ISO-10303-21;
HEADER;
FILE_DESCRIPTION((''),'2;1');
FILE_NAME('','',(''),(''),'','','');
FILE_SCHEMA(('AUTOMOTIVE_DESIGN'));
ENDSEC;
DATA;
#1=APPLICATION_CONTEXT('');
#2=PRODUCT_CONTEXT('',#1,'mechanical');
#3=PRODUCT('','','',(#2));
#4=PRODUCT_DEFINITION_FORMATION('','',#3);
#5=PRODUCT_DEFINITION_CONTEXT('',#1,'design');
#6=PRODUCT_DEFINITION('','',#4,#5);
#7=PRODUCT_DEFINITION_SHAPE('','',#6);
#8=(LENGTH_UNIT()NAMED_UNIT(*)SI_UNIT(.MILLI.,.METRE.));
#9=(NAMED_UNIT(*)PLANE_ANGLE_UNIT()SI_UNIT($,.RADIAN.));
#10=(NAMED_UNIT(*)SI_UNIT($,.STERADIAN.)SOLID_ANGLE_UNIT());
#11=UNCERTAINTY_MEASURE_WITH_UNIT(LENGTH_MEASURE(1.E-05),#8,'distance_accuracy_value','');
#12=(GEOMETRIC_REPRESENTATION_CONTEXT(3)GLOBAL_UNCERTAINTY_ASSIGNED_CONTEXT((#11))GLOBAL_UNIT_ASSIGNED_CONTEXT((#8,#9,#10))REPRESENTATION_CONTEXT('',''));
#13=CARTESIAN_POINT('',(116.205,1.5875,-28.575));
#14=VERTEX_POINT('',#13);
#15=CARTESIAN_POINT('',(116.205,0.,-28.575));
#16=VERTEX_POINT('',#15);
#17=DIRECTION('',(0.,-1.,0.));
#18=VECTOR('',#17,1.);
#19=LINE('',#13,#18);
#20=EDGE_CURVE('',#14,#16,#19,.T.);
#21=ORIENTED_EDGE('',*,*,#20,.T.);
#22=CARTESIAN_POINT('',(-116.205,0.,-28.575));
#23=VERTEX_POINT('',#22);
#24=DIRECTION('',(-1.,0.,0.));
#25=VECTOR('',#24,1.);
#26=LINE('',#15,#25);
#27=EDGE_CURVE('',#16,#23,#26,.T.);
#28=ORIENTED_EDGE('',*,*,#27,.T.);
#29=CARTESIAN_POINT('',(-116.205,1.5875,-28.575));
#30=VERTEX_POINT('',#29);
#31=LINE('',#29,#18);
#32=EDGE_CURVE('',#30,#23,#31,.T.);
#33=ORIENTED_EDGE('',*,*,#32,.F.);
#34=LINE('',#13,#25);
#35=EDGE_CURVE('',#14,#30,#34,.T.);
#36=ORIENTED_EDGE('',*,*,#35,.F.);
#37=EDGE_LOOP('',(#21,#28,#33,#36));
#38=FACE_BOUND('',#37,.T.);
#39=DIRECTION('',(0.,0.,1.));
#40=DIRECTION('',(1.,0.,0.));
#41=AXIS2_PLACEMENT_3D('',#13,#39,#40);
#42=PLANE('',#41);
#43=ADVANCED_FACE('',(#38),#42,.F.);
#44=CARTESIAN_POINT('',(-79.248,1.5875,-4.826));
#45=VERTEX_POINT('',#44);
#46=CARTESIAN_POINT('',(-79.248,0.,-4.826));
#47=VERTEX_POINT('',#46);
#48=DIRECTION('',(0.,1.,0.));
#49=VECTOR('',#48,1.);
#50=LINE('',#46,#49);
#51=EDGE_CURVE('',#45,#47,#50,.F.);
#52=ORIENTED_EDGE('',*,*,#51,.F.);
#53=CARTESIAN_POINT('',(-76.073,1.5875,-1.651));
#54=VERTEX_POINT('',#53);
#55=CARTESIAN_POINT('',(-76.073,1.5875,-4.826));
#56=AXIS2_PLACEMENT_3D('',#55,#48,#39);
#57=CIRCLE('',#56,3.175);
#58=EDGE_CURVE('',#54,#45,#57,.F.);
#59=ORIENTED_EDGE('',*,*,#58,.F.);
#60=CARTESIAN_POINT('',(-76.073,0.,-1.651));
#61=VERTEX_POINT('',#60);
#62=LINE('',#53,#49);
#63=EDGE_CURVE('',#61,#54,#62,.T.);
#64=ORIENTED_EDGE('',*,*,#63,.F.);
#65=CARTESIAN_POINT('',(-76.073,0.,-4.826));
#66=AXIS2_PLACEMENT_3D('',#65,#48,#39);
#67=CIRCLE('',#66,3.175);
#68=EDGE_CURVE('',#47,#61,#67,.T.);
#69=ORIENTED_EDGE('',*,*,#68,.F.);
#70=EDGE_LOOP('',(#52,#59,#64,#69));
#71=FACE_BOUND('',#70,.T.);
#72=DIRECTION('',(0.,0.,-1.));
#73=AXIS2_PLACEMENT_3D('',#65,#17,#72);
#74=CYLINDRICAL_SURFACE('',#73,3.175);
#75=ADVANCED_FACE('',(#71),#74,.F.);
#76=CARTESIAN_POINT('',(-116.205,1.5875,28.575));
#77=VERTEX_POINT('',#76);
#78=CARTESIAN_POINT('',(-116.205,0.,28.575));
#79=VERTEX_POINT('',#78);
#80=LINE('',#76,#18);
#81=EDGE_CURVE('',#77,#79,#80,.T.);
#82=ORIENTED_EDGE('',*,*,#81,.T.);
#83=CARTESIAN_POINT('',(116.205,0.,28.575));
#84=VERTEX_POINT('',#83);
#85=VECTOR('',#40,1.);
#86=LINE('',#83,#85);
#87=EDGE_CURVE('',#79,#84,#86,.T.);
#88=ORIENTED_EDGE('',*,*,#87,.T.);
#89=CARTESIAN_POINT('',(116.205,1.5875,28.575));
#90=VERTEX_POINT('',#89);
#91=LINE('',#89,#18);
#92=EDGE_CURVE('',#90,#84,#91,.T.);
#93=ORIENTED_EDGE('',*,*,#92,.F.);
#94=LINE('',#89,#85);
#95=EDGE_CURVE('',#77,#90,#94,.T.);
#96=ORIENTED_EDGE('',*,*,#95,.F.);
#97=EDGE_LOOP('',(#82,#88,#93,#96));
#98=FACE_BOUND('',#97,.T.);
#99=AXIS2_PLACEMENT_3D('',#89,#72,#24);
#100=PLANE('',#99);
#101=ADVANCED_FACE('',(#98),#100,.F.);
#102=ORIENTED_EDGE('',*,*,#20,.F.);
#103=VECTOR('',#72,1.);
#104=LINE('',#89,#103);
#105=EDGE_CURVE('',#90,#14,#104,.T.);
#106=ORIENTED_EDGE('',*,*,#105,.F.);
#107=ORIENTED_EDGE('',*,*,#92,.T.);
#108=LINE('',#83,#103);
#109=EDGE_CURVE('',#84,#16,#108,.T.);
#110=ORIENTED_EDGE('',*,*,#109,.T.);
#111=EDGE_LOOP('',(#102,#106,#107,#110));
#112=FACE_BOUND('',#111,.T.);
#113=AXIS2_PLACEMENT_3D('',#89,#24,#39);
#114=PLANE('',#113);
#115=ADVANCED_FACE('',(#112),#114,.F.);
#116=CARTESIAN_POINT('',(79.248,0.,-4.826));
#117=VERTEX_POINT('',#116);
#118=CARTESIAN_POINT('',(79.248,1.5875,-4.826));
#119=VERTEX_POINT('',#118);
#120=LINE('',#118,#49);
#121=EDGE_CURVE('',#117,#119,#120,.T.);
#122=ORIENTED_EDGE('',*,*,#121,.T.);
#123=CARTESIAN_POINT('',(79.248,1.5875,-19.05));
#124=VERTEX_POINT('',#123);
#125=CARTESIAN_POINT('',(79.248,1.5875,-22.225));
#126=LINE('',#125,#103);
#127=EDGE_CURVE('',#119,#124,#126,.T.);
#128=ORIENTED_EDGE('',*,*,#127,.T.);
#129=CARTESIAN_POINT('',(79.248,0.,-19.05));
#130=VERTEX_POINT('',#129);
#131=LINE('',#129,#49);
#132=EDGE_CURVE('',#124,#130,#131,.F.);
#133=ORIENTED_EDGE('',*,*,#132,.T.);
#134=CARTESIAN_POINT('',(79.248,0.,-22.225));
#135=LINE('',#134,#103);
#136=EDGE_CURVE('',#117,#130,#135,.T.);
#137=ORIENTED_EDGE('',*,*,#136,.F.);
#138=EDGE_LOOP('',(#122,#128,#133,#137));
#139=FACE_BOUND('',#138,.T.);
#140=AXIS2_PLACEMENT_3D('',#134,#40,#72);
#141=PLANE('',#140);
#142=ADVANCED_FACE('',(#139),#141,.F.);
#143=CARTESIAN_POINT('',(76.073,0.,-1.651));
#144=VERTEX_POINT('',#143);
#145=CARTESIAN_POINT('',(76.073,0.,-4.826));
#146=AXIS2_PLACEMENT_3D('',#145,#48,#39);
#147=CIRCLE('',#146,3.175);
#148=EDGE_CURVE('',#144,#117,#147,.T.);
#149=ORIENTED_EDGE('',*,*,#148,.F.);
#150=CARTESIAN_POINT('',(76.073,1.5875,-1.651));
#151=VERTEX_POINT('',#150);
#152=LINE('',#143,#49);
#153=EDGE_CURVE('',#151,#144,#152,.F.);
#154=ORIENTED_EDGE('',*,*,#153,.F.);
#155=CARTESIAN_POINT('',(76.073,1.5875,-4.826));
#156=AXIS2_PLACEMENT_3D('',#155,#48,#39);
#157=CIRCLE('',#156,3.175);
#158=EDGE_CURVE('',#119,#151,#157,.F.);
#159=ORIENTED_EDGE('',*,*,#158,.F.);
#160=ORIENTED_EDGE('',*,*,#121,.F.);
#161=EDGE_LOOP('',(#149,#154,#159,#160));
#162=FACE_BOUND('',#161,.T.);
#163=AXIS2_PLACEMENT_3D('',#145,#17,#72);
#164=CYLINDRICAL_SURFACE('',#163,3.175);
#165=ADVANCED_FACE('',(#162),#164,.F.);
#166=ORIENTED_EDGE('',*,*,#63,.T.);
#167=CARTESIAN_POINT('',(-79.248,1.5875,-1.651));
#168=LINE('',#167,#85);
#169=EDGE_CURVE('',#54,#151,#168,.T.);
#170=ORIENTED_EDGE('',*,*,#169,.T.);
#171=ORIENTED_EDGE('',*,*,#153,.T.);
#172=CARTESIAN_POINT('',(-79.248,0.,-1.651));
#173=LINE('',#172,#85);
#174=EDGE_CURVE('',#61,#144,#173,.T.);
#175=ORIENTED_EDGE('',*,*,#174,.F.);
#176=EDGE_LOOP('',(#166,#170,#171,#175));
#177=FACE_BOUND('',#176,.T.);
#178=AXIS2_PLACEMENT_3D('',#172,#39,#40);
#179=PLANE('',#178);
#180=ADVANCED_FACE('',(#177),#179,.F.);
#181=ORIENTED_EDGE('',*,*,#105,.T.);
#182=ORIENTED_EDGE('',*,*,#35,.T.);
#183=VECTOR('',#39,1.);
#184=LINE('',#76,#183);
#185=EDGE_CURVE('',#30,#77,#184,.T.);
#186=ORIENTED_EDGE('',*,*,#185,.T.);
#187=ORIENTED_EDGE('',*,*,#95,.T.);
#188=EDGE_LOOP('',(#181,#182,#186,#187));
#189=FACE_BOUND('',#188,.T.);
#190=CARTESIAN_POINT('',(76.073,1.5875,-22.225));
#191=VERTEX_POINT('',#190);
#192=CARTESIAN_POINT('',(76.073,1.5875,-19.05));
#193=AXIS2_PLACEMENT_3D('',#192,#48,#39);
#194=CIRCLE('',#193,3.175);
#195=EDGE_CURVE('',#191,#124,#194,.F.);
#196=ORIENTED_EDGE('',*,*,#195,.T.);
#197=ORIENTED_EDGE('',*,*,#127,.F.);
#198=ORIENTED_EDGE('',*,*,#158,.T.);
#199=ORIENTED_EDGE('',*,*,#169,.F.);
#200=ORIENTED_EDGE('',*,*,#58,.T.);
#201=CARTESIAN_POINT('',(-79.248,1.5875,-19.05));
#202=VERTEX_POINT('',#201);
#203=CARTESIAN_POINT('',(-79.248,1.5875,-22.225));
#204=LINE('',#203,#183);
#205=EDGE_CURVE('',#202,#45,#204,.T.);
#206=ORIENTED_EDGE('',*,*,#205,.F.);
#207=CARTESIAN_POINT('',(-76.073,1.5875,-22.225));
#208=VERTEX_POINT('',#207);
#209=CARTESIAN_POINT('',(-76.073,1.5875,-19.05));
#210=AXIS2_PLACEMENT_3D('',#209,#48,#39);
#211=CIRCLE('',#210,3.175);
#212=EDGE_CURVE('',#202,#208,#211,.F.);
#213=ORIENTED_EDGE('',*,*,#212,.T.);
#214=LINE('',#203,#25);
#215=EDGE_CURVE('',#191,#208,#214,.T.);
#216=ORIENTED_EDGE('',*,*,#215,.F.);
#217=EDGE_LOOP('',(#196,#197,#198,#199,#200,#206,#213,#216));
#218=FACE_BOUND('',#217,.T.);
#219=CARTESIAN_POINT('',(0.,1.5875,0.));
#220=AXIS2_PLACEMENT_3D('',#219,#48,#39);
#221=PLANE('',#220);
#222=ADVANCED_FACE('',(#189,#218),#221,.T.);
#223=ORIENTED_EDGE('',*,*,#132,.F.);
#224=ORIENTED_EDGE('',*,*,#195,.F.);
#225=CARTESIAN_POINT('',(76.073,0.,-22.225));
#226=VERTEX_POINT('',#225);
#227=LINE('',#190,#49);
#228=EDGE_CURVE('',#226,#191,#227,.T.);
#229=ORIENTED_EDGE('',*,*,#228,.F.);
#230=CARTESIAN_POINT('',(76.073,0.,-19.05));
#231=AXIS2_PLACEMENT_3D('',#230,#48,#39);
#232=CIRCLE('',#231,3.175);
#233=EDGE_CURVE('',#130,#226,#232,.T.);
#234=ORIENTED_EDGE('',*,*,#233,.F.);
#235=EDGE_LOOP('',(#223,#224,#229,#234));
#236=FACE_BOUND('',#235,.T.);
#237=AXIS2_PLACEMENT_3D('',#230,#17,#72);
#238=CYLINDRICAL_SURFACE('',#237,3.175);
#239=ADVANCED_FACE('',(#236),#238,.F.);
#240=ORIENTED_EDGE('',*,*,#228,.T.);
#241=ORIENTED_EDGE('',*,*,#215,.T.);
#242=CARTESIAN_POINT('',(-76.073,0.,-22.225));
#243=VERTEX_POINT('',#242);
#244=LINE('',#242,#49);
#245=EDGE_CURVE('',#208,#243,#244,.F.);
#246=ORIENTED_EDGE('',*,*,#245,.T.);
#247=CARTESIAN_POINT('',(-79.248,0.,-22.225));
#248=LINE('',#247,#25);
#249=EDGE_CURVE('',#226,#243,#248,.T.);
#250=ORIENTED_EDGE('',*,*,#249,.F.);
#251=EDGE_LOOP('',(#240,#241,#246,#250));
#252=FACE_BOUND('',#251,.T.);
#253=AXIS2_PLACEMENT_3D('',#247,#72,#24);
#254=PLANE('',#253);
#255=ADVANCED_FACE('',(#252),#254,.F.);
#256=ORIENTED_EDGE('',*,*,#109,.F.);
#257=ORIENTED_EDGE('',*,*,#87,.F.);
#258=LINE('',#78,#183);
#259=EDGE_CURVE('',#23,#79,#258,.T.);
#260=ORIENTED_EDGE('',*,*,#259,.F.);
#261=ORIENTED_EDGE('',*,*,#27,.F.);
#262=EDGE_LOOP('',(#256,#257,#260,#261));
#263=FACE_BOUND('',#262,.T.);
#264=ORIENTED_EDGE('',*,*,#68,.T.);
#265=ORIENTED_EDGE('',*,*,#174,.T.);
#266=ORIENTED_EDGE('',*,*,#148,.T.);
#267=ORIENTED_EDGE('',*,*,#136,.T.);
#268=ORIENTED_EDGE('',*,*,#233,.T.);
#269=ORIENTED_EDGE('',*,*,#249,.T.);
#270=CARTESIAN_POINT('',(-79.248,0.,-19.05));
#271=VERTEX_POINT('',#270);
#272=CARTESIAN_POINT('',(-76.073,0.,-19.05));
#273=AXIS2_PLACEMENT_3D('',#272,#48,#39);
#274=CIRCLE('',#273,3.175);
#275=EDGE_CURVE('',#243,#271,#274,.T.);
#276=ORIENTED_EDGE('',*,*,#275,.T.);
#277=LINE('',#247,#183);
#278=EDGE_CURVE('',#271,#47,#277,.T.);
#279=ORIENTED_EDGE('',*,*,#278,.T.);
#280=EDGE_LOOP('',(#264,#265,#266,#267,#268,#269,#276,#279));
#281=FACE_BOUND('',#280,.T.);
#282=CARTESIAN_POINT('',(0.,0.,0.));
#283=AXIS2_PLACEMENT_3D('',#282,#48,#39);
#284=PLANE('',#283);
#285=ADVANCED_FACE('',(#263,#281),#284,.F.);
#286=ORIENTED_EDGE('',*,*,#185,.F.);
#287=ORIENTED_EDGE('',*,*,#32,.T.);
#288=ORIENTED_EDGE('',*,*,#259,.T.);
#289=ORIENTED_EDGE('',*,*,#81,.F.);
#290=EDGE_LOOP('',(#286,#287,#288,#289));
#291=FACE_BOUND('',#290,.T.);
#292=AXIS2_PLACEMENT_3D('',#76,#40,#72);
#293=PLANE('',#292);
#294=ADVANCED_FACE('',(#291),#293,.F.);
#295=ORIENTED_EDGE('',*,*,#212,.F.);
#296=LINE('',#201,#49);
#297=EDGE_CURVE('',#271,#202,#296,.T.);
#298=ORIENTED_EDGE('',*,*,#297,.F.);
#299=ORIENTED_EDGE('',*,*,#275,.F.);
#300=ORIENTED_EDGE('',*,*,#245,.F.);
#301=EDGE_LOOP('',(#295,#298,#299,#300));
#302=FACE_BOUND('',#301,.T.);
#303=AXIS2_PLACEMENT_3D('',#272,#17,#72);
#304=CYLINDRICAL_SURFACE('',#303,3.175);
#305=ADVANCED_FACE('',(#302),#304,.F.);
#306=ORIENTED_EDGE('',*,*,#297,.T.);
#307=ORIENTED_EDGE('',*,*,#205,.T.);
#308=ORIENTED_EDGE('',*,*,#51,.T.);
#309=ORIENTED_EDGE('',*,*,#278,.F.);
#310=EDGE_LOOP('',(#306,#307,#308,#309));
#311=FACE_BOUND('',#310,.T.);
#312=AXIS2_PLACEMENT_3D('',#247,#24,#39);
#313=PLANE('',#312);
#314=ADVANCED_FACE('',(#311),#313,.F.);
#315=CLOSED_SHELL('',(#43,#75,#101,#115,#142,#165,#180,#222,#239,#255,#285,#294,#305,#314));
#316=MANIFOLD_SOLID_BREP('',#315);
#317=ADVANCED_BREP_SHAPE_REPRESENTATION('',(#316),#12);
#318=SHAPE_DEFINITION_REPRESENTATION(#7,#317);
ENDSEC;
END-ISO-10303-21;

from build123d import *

# Parameters (mm, degrees)
SKETCH1_W           = 232.41
SKETCH1_H           = 57.15
BOSS_EXTRUDE1_DEPTH = 1.5875
SKETCH2_W           = 158.496
SKETCH2_H           = 20.574
CUT_EXTRUDE1_DEPTH  = 2.5875
FILLET1_R           = 3.175


with BuildPart() as part:
    # Sketch1 → Boss-Extrude1 (new body)
    with BuildSketch(Plane(origin=(0, 0, 0), x_dir=(1, 0, 0), z_dir=(0, 1, 0))):
        Rectangle(SKETCH1_W, SKETCH1_H)
    extrude(amount=BOSS_EXTRUDE1_DEPTH)

    # Sketch2 → Cut-Extrude1 (cut, through all)
    with BuildSketch(Plane(origin=(0, 1.5875, 0), x_dir=(1, 0, 0), z_dir=(0, 1, 0))):
        with Locations((0, 11.938)):
            Rectangle(SKETCH2_W, SKETCH2_H)
    extrude(amount=-CUT_EXTRUDE1_DEPTH, mode=Mode.SUBTRACT)

    # Fillet1
    fillet1_edges = [part.edges().sort_by_distance(p)[0] for p in [
        (-79.248, 0.79375, -1.651),
        (-79.248, 0.79375, -22.225),
        (79.248, 0.79375, -22.225),
        (79.248, 0.79375, -1.651),
    ]]
    fillet(fillet1_edges, radius=FILLET1_R)


solid = part.part
